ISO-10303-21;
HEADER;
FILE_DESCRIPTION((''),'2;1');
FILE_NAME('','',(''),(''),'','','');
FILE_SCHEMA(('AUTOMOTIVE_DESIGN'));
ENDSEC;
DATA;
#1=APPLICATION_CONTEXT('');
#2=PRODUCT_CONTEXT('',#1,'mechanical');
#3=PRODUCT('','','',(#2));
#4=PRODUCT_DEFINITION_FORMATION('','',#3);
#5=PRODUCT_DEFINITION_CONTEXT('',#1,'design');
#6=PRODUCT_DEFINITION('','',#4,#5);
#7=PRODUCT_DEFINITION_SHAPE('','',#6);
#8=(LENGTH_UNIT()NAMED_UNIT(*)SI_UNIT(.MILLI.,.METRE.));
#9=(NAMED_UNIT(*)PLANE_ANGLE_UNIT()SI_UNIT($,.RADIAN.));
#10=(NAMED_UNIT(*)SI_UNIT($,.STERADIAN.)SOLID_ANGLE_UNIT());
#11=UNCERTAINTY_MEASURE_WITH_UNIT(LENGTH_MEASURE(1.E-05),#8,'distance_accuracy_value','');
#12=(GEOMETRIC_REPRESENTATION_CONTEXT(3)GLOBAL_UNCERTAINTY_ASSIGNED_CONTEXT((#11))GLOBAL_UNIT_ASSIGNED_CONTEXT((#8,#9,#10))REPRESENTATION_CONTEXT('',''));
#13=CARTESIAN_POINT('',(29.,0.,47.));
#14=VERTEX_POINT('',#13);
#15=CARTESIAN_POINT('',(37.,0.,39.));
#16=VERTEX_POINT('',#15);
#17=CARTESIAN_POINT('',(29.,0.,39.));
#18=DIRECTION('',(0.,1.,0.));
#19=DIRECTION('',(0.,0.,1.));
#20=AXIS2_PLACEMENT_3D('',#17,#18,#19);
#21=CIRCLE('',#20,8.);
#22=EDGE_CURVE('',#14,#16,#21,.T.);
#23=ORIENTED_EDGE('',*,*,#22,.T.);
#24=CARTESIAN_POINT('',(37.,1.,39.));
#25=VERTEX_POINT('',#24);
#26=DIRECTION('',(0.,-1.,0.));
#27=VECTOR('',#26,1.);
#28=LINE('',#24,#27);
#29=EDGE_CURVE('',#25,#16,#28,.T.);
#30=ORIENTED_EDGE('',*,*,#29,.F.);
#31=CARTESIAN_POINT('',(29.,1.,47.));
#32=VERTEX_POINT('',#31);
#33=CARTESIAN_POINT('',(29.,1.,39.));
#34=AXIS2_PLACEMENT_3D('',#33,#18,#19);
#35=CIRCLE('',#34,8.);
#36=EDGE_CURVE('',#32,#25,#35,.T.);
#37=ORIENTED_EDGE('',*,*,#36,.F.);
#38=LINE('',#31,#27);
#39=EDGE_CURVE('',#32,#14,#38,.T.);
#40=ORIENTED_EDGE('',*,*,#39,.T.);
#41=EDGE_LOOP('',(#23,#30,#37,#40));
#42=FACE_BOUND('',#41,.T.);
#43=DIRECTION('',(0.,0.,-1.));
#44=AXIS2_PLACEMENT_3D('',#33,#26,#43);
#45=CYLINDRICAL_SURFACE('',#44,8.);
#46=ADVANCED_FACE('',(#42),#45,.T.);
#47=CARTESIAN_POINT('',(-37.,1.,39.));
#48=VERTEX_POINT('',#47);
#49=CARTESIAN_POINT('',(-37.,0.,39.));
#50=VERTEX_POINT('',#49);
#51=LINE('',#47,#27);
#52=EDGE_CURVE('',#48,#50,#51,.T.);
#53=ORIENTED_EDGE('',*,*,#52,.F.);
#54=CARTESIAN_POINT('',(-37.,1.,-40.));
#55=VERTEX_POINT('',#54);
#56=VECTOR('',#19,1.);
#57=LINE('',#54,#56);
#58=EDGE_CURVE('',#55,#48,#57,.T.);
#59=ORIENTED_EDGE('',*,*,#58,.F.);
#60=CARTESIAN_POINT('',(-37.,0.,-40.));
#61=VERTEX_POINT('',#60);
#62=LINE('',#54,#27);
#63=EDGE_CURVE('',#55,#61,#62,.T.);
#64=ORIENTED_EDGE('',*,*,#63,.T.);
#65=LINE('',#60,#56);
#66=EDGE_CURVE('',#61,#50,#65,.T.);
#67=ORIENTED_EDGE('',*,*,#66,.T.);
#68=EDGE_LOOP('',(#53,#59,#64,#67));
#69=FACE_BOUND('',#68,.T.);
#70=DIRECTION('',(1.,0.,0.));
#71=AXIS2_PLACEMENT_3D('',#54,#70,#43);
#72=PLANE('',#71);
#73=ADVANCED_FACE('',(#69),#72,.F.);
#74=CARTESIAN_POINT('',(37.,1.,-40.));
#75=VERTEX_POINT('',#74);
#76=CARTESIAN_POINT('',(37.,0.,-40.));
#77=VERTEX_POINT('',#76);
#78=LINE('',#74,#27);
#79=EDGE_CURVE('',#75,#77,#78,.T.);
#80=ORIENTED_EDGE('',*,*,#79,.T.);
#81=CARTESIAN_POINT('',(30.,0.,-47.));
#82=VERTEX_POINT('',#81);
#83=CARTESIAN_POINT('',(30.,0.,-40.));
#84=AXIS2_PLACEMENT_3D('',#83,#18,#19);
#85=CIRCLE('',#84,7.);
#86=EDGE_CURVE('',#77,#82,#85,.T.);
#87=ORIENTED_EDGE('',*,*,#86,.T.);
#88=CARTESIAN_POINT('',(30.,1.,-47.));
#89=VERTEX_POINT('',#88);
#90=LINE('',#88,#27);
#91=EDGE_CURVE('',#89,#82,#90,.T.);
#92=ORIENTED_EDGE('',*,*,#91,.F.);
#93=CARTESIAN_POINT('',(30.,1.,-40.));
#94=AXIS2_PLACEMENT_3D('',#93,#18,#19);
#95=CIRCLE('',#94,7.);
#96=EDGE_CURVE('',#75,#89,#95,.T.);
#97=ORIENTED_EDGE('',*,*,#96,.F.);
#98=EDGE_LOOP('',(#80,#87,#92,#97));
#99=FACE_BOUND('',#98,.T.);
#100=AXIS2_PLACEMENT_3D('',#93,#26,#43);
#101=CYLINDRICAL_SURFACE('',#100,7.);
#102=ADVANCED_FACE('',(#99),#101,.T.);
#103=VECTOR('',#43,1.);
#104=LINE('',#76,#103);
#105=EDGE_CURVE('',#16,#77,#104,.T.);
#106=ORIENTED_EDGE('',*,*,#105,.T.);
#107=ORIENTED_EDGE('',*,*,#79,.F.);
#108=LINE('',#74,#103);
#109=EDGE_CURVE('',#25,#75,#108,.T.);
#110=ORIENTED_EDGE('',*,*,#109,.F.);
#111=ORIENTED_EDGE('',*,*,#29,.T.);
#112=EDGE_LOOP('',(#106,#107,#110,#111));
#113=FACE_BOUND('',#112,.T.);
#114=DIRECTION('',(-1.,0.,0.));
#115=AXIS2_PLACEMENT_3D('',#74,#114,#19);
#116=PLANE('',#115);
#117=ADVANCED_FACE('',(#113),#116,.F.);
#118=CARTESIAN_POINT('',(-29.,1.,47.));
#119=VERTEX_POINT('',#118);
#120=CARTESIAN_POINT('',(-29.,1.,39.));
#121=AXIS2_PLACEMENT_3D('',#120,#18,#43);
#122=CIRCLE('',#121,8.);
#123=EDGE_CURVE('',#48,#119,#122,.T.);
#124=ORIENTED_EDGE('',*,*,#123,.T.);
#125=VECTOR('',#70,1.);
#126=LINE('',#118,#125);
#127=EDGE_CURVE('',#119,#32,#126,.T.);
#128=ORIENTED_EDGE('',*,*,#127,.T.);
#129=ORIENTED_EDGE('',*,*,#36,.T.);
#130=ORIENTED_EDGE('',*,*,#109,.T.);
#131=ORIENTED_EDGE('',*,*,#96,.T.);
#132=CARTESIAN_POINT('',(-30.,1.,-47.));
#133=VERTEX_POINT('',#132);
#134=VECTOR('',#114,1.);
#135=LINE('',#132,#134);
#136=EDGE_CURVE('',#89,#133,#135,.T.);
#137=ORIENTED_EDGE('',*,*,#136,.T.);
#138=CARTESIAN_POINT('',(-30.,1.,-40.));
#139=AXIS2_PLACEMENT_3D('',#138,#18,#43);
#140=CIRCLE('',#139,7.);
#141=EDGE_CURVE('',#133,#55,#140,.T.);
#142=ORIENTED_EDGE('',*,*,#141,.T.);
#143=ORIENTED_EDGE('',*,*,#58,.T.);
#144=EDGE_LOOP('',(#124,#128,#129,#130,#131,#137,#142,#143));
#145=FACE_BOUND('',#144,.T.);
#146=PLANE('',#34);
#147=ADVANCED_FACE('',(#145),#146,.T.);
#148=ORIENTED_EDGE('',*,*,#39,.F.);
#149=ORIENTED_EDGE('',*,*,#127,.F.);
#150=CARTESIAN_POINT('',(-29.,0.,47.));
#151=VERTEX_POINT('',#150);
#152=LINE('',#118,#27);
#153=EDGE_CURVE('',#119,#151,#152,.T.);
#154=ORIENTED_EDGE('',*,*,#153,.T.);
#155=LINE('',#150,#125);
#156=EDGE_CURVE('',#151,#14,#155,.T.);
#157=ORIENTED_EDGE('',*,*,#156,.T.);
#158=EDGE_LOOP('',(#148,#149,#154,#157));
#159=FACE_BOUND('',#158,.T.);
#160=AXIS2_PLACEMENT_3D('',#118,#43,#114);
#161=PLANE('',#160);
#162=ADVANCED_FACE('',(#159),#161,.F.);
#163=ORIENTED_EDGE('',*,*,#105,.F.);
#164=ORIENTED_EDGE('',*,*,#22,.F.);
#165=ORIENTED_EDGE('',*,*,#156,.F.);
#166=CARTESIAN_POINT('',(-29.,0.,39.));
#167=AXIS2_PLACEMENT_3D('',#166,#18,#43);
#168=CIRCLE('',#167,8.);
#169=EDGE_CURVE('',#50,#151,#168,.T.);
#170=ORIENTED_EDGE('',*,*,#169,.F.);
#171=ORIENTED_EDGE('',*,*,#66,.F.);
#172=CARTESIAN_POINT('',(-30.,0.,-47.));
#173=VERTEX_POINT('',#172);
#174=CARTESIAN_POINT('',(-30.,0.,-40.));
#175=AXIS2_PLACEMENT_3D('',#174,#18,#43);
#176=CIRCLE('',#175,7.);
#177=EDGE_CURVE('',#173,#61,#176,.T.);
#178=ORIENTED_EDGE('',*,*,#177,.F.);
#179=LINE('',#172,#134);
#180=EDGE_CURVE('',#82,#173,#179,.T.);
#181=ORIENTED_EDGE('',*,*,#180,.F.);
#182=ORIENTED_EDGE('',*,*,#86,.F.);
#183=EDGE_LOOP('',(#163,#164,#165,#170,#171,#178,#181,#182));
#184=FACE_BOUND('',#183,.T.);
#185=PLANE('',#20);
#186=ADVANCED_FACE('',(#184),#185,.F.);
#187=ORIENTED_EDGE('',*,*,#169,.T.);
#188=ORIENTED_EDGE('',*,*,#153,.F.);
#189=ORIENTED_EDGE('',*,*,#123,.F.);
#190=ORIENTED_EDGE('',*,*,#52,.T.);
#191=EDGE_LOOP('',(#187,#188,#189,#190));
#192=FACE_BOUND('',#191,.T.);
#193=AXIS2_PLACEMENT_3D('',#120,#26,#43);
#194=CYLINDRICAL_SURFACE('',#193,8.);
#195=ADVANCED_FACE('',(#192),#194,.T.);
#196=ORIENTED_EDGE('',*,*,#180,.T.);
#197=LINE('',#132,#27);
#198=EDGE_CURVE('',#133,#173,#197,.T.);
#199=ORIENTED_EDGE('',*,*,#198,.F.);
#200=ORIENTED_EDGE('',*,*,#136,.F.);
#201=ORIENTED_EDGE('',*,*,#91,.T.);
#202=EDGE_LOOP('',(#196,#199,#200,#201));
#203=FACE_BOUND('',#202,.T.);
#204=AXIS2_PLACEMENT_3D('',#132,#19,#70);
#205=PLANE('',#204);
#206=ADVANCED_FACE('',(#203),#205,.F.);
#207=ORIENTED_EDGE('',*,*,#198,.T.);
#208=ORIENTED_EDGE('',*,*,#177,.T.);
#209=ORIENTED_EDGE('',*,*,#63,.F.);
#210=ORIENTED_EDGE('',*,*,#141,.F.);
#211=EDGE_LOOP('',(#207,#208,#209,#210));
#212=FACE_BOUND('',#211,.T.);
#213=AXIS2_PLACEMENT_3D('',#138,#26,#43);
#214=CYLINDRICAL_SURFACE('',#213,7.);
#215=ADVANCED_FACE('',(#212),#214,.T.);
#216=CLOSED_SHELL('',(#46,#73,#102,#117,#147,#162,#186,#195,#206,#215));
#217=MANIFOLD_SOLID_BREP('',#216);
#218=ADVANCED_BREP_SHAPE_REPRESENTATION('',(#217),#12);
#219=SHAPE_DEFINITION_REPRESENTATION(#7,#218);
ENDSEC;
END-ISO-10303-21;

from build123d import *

# Parameters (mm, degrees)
AUFSATZ_LINEAR_AUSTRAGEN1_DEPTH = 1


with BuildPart() as part:
    # Skizze1 → Aufsatz-Linear austragen1 (new body)
    with BuildSketch(Plane(origin=(0, 0, 0), x_dir=(1, 0, 0), z_dir=(0, 1, 0))):
        with BuildLine():
            Line((-30, 47), (30, 47))
            ThreePointArc((30, 47), (34.949747468, 44.949747468), (37, 40))
            Line((37, 40), (37, -39))
            ThreePointArc((37, -39), (34.656854249, -44.656854249), (29, -47))
            Line((29, -47), (-29, -47))
            ThreePointArc((-29, -47), (-34.656854249, -44.656854249), (-37, -39))
            Line((-37, -39), (-37, 40))
            ThreePointArc((-37, 40), (-34.949747468, 44.949747468), (-30, 47))
        make_face()
    extrude(amount=AUFSATZ_LINEAR_AUSTRAGEN1_DEPTH)


solid = part.part
